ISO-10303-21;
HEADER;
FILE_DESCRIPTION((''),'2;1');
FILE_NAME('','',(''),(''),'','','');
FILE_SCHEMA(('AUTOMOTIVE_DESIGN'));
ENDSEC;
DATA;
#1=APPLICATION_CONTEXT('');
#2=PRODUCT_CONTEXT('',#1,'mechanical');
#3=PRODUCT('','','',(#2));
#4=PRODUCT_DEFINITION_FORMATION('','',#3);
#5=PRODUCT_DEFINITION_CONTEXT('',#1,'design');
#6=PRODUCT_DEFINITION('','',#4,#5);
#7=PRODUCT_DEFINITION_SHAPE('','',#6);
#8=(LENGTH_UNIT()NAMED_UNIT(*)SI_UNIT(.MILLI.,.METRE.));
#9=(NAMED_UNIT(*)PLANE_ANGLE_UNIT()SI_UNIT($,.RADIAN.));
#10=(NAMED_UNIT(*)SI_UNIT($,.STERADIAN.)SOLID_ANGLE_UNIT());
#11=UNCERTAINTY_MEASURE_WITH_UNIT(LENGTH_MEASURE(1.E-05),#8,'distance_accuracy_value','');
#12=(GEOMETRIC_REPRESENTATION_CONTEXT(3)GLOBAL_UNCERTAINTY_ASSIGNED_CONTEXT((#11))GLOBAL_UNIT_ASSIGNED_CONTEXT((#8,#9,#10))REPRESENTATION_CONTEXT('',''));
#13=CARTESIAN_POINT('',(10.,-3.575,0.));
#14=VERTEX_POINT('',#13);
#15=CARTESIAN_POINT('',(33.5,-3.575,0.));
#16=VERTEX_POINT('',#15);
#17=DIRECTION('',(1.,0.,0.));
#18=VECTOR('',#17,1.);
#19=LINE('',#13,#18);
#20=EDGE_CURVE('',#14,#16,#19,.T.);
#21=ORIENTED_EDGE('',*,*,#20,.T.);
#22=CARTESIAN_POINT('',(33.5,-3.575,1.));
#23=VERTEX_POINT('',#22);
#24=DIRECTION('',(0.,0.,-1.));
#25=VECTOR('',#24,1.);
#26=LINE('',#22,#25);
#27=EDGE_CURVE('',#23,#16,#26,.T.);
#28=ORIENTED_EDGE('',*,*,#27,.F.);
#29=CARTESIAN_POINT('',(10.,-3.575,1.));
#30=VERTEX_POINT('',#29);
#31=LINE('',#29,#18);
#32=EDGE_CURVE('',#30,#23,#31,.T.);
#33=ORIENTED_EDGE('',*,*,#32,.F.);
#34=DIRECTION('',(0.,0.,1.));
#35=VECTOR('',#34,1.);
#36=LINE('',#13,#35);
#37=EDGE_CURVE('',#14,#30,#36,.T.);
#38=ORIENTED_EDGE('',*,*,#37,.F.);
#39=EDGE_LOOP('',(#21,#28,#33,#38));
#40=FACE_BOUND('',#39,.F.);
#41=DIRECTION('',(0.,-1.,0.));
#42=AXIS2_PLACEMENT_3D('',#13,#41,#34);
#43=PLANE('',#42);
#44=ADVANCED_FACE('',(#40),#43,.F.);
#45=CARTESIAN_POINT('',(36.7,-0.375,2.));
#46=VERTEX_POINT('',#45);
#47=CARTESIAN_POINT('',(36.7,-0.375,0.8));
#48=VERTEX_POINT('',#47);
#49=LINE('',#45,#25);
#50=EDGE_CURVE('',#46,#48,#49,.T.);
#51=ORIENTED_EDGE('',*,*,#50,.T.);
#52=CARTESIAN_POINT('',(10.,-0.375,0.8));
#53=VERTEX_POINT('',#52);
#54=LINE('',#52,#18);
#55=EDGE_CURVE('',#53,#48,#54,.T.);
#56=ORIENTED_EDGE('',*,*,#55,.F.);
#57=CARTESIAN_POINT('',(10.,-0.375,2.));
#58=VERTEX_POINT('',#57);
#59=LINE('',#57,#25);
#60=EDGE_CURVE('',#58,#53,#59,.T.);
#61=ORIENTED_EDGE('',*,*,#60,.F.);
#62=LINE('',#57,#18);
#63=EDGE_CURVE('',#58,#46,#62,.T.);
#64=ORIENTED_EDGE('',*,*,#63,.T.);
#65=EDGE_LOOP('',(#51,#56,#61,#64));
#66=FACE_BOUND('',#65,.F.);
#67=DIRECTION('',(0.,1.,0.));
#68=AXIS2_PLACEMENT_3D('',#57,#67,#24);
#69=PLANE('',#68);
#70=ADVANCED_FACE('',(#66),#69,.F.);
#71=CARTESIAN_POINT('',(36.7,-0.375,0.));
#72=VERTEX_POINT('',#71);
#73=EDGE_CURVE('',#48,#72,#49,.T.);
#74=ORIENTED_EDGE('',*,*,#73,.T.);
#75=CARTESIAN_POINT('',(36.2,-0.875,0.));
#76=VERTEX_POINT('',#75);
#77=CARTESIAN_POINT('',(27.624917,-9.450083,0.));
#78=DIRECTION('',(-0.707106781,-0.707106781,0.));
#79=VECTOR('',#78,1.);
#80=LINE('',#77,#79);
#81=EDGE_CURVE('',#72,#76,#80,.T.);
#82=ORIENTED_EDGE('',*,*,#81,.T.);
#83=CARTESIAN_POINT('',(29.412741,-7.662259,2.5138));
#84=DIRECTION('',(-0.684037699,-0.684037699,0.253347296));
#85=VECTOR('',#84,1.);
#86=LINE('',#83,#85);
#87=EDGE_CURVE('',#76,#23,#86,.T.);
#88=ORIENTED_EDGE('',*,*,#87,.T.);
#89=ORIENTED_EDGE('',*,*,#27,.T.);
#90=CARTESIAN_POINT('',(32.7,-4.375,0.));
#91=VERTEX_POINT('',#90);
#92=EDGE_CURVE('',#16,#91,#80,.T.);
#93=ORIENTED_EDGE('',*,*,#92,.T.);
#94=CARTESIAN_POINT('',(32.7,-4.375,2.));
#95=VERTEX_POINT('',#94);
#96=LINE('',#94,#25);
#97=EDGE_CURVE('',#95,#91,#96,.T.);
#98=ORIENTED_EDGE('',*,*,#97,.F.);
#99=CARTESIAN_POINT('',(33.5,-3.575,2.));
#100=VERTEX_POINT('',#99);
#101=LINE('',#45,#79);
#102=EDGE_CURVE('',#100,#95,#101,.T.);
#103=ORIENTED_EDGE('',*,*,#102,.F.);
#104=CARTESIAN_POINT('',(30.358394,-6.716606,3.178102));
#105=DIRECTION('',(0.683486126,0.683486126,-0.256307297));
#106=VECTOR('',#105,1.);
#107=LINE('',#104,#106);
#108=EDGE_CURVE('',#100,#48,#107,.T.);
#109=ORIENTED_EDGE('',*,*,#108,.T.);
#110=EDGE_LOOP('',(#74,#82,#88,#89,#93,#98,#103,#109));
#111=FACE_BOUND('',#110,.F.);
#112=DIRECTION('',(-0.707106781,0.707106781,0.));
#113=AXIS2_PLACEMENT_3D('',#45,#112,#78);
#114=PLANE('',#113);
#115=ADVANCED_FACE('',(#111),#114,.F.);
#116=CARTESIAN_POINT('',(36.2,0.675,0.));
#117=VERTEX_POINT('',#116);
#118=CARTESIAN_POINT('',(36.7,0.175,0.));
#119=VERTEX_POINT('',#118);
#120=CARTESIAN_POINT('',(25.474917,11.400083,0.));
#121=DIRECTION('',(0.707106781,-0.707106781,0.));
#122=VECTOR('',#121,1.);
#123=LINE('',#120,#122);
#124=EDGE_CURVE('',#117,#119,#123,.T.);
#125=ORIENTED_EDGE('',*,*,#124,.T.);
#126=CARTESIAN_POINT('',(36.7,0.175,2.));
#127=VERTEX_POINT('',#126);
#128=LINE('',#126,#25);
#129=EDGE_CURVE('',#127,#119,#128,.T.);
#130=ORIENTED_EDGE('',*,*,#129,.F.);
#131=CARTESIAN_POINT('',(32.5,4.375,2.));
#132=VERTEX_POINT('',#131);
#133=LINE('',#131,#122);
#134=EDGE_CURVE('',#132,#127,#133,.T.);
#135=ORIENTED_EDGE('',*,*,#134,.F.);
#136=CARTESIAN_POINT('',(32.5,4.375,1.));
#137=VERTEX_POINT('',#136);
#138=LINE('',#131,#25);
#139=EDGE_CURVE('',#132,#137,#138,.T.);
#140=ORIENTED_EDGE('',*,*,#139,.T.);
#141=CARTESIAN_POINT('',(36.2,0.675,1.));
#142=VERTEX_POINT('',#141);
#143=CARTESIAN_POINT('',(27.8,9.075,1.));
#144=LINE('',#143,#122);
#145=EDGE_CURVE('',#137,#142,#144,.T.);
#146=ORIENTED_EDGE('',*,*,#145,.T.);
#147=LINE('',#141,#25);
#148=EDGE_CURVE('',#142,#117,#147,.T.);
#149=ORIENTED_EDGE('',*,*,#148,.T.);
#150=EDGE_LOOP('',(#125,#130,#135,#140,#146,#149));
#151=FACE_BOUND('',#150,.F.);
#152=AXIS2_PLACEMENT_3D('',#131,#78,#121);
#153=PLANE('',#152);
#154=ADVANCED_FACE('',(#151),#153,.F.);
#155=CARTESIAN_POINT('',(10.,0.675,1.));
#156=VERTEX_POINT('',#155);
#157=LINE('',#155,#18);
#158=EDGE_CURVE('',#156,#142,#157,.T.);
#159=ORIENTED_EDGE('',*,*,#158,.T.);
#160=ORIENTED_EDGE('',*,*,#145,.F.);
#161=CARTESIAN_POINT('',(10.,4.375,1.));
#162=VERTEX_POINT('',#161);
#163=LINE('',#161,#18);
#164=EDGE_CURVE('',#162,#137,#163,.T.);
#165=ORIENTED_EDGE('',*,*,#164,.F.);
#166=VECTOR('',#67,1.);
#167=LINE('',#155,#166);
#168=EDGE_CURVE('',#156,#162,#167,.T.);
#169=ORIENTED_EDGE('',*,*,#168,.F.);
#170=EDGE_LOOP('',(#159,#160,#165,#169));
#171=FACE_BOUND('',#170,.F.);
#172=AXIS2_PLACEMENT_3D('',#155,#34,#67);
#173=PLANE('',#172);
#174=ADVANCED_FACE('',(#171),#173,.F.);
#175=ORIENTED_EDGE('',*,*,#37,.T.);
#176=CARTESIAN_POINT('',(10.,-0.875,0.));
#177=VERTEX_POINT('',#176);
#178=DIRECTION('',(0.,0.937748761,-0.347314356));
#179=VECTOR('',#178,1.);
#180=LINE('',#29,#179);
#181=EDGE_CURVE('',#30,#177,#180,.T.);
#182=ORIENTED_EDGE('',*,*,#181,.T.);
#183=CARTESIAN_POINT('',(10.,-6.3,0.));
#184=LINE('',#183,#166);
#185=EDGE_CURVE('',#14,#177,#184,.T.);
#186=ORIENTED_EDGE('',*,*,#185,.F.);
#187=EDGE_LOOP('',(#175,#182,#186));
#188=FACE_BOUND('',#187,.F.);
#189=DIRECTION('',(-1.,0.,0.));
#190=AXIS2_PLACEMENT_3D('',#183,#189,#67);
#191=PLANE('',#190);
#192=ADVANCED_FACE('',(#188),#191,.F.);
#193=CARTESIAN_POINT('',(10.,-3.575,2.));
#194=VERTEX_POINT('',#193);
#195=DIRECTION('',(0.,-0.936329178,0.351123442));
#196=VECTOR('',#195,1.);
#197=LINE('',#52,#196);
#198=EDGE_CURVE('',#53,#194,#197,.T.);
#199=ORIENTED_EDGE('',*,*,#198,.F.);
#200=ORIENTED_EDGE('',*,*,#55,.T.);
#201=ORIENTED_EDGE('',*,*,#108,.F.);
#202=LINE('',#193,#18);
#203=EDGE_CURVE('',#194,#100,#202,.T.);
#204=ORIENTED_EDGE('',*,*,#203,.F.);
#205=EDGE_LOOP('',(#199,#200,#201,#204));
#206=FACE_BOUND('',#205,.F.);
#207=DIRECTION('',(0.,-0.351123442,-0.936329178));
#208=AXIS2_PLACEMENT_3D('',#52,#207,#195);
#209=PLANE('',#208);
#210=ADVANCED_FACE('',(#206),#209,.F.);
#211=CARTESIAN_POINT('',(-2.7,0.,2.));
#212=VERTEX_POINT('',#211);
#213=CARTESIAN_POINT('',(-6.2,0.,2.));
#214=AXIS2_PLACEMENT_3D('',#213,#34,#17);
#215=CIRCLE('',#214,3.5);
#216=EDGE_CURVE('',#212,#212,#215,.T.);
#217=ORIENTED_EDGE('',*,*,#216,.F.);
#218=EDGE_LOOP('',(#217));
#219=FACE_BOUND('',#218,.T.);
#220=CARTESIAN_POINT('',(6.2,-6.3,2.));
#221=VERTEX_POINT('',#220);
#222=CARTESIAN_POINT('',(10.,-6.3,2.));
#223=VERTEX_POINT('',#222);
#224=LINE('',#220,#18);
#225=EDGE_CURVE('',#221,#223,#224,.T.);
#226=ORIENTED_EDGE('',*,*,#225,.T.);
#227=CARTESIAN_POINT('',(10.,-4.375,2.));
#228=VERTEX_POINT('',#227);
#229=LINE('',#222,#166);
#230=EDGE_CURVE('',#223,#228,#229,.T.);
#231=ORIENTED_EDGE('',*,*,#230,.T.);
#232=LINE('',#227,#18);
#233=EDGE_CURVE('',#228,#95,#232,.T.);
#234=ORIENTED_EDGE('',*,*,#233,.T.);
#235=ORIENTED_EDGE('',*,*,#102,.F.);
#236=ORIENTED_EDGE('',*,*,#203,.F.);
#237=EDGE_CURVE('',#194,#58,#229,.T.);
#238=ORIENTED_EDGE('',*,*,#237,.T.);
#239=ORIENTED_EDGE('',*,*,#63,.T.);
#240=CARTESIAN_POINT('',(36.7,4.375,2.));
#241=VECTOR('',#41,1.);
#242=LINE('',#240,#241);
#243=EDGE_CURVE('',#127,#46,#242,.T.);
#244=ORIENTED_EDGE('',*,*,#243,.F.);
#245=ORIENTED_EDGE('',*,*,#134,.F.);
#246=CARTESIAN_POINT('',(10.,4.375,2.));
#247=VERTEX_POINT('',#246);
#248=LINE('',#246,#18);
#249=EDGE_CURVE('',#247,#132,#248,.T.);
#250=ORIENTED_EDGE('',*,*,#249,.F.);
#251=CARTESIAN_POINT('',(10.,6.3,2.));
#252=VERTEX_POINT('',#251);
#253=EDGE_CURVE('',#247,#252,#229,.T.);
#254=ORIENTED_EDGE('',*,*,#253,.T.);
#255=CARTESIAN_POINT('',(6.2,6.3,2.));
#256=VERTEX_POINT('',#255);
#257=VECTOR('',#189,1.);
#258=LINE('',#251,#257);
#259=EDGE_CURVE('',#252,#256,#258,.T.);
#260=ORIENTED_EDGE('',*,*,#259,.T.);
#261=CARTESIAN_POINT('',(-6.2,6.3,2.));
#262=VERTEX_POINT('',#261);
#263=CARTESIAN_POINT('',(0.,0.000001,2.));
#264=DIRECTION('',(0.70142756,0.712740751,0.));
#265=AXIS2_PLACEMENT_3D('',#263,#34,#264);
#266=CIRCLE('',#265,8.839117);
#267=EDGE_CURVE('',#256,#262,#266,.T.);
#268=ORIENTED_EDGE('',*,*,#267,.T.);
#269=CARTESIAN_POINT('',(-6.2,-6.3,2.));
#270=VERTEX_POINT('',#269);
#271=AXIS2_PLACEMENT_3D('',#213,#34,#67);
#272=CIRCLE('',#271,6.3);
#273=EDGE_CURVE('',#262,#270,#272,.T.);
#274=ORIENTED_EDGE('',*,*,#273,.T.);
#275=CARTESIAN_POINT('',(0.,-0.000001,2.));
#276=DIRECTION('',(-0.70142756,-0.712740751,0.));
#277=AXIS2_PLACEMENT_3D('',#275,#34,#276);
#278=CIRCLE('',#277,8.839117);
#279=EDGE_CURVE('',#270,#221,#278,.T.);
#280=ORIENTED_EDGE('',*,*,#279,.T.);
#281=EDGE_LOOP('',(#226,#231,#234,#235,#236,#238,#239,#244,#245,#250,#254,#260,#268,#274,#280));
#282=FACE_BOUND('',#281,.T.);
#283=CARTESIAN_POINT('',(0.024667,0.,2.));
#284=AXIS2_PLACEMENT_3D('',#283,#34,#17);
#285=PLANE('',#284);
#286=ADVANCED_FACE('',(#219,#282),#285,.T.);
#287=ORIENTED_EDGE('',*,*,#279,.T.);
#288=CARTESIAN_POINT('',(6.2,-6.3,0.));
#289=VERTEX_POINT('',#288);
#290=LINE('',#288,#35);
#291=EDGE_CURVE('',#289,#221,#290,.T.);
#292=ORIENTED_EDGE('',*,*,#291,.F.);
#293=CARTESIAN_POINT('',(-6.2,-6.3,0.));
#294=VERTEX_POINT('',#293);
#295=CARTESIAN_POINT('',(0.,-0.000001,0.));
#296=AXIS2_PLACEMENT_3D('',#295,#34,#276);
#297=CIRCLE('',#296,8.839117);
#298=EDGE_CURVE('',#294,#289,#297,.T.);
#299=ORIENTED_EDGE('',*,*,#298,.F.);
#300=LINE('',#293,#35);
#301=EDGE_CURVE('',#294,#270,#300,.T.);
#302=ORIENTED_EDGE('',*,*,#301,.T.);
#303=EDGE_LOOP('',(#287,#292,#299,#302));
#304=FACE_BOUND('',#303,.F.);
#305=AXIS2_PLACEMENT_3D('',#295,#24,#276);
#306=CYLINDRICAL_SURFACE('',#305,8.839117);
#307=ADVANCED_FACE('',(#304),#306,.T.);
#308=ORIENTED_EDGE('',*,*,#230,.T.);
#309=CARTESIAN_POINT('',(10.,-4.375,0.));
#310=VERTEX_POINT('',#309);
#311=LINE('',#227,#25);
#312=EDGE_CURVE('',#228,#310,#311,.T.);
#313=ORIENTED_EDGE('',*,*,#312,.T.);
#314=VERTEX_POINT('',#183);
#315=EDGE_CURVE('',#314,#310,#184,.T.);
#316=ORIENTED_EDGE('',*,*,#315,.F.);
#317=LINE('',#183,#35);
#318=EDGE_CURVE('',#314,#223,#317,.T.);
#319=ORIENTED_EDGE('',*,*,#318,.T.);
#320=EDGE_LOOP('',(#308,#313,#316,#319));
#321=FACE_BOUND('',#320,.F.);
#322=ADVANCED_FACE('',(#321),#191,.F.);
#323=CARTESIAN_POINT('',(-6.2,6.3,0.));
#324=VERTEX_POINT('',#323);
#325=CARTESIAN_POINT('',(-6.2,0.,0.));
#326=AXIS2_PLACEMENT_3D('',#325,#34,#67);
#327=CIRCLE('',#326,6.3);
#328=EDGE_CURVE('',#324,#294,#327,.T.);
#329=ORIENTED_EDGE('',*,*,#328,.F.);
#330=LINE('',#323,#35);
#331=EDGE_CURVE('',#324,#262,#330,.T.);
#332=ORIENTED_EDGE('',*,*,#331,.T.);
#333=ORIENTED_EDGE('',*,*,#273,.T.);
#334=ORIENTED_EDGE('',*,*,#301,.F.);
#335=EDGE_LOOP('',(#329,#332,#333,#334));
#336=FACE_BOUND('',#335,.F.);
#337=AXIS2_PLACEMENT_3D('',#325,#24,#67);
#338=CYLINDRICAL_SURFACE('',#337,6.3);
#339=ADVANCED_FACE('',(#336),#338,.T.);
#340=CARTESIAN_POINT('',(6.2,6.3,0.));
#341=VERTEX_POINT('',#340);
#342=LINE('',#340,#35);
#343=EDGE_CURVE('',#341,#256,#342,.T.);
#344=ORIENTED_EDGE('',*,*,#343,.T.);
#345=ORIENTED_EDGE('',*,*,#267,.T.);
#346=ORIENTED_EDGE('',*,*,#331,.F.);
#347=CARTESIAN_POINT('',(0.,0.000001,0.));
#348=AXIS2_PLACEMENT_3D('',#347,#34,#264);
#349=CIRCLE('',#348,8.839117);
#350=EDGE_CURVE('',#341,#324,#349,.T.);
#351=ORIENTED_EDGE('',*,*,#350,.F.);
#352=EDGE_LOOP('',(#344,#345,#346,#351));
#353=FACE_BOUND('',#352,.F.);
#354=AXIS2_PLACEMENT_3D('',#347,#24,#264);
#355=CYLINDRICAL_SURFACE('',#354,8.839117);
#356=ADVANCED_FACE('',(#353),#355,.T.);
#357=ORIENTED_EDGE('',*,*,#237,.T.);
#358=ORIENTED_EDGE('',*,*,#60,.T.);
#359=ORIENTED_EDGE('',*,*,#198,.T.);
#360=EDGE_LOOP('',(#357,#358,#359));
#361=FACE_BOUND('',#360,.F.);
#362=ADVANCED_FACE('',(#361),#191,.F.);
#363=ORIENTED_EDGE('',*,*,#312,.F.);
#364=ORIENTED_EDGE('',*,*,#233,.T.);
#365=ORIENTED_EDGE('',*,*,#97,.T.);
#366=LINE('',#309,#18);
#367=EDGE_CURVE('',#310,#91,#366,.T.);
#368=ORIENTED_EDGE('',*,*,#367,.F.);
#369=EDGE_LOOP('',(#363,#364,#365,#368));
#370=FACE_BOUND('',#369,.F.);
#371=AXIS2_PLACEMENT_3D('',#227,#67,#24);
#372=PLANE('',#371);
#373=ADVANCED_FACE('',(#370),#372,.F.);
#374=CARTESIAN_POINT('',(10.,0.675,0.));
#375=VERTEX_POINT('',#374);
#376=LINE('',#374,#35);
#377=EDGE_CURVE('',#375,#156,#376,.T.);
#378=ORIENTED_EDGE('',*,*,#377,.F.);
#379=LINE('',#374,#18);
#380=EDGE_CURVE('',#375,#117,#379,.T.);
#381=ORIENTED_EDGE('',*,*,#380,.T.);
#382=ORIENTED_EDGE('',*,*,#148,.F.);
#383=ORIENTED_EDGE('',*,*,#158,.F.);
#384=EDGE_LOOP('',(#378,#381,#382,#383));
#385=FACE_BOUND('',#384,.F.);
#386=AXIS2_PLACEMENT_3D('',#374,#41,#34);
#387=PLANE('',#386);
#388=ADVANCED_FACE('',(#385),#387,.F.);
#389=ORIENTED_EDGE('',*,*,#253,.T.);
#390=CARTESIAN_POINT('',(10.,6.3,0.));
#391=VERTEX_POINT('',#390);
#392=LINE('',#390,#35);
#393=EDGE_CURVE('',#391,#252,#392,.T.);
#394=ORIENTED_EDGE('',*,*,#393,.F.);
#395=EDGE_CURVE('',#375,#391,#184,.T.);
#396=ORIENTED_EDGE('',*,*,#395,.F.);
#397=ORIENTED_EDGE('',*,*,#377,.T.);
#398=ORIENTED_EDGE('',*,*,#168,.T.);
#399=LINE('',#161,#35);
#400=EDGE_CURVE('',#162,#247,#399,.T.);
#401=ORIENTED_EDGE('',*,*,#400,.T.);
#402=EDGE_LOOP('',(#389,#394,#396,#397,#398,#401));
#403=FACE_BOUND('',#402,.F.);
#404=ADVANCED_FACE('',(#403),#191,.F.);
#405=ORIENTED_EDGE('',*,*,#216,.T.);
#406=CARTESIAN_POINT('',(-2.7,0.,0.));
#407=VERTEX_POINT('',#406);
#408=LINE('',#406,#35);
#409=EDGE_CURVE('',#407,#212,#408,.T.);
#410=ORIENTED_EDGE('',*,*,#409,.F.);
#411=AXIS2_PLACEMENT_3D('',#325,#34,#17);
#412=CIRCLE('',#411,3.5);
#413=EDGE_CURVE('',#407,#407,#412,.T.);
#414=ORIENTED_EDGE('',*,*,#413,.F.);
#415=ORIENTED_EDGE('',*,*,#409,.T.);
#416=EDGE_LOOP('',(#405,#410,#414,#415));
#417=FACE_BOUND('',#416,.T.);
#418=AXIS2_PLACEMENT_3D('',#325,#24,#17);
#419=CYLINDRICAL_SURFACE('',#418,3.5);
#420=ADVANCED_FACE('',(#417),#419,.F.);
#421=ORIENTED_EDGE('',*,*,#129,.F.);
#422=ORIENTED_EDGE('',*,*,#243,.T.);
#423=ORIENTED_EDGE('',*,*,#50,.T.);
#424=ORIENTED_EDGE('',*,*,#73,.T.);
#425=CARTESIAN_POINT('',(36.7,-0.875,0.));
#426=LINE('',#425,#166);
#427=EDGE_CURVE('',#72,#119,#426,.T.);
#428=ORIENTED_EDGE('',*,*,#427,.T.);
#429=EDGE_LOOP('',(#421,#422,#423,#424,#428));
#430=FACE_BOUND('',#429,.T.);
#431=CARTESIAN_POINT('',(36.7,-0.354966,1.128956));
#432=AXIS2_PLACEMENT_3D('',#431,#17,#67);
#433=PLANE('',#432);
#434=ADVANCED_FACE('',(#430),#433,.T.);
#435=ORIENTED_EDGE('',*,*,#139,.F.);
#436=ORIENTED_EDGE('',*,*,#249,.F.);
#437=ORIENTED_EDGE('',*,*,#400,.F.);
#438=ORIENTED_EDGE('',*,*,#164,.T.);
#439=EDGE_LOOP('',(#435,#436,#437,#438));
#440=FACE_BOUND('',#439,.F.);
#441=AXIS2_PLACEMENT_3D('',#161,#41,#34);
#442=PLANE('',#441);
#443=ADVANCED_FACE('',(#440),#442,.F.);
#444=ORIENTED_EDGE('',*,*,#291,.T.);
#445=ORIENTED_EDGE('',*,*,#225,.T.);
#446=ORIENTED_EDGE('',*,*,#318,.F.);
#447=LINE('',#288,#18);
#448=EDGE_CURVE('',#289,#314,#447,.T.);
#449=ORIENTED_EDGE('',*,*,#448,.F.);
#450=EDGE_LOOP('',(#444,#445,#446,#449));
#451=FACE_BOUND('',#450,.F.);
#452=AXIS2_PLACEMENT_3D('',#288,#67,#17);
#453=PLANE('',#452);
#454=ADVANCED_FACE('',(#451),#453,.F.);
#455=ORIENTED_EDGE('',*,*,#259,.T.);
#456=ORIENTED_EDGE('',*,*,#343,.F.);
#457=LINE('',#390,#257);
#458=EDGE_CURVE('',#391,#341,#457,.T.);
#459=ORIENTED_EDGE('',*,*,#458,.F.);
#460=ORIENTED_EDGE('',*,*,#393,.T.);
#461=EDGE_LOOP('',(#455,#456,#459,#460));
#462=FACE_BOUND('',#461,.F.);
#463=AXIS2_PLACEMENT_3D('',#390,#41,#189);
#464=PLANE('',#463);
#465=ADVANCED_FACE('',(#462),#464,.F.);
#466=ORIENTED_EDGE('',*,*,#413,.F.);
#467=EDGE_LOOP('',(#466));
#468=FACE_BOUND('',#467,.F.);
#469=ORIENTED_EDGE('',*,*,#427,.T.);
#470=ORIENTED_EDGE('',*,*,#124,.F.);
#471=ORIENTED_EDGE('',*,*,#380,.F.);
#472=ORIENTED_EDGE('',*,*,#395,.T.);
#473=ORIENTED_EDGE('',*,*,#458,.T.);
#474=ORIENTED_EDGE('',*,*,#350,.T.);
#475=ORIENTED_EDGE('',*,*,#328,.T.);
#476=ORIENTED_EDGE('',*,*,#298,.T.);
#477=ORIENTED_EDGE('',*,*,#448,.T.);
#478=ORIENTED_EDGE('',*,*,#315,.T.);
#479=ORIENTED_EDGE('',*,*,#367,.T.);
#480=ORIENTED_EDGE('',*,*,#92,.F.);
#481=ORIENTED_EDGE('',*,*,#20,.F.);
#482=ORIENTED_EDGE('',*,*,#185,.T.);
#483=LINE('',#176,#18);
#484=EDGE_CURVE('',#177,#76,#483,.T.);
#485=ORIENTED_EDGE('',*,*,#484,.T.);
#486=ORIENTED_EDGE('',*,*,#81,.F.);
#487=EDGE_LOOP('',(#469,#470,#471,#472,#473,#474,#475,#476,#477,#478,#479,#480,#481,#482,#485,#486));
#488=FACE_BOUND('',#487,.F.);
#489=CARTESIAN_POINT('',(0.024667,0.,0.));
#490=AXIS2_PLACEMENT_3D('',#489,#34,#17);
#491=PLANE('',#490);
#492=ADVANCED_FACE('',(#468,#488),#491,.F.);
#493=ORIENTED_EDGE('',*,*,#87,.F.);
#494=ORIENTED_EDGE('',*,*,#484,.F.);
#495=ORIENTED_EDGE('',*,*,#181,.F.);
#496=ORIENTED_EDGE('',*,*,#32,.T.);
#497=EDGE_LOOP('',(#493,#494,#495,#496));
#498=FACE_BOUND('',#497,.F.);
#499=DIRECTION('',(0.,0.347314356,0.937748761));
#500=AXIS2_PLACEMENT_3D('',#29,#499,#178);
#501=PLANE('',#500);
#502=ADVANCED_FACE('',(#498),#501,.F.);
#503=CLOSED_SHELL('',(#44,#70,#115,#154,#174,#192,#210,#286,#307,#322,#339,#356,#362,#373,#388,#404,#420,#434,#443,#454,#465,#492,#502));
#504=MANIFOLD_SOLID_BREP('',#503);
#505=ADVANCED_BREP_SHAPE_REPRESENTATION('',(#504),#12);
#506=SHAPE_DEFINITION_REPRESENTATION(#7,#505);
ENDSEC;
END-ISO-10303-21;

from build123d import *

# Parameters (mm, degrees)
F0_R     = 3.5
F1_DEPTH = 2
F3_DEPTH = 26.7
F5_DEPTH = 2.001


with BuildPart() as f1:
    # F0 (on Top) → F1 (new body)
    with BuildSketch(Plane.XY):
        with BuildLine():
            Line((6.2, -6.3), (10, -6.3))
            Line((10, -6.3), (10, 6.3))
            Line((10, 6.3), (6.2, 6.3))
            ThreePointArc((6.2, 6.3), (0, 8.839118), (-6.2, 6.3))
            ThreePointArc((-6.2, 6.3), (-12.5, 0), (-6.2, -6.3))
            ThreePointArc((-6.2, -6.3), (0, -8.839118), (6.2, -6.3))
        make_face()
        with Locations((-6.2, 0)):
            Circle(F0_R, mode=Mode.SUBTRACT)
    extrude(amount=F1_DEPTH)

    # F2 (on face) → F3 (join)
    with BuildSketch(Plane.YZ.offset(10)):
        Polygon((-0.875, 0), (0.675, 0), (0.675, 1), (4.375, 1), (4.375, 2), (-0.375, 2), (-0.375, 0.8), (-3.575, 2), (-4.375, 2), (-4.375, 0), (-3.575, 0), (-3.575, 1), align=None)
    extrude(amount=F3_DEPTH)

    # F4 (on face) → F5 (cut, through all)
    with BuildSketch(Plane.XY.offset(2)):
        Polygon((36.7, 0.175), (36.7, 4.375), (32.5, 4.375), align=None)
        Polygon((32.7, -4.375), (36.7, -4.375), (36.7, -0.375), align=None)
    extrude(amount=-F5_DEPTH, mode=Mode.SUBTRACT)


solid = f1.part
